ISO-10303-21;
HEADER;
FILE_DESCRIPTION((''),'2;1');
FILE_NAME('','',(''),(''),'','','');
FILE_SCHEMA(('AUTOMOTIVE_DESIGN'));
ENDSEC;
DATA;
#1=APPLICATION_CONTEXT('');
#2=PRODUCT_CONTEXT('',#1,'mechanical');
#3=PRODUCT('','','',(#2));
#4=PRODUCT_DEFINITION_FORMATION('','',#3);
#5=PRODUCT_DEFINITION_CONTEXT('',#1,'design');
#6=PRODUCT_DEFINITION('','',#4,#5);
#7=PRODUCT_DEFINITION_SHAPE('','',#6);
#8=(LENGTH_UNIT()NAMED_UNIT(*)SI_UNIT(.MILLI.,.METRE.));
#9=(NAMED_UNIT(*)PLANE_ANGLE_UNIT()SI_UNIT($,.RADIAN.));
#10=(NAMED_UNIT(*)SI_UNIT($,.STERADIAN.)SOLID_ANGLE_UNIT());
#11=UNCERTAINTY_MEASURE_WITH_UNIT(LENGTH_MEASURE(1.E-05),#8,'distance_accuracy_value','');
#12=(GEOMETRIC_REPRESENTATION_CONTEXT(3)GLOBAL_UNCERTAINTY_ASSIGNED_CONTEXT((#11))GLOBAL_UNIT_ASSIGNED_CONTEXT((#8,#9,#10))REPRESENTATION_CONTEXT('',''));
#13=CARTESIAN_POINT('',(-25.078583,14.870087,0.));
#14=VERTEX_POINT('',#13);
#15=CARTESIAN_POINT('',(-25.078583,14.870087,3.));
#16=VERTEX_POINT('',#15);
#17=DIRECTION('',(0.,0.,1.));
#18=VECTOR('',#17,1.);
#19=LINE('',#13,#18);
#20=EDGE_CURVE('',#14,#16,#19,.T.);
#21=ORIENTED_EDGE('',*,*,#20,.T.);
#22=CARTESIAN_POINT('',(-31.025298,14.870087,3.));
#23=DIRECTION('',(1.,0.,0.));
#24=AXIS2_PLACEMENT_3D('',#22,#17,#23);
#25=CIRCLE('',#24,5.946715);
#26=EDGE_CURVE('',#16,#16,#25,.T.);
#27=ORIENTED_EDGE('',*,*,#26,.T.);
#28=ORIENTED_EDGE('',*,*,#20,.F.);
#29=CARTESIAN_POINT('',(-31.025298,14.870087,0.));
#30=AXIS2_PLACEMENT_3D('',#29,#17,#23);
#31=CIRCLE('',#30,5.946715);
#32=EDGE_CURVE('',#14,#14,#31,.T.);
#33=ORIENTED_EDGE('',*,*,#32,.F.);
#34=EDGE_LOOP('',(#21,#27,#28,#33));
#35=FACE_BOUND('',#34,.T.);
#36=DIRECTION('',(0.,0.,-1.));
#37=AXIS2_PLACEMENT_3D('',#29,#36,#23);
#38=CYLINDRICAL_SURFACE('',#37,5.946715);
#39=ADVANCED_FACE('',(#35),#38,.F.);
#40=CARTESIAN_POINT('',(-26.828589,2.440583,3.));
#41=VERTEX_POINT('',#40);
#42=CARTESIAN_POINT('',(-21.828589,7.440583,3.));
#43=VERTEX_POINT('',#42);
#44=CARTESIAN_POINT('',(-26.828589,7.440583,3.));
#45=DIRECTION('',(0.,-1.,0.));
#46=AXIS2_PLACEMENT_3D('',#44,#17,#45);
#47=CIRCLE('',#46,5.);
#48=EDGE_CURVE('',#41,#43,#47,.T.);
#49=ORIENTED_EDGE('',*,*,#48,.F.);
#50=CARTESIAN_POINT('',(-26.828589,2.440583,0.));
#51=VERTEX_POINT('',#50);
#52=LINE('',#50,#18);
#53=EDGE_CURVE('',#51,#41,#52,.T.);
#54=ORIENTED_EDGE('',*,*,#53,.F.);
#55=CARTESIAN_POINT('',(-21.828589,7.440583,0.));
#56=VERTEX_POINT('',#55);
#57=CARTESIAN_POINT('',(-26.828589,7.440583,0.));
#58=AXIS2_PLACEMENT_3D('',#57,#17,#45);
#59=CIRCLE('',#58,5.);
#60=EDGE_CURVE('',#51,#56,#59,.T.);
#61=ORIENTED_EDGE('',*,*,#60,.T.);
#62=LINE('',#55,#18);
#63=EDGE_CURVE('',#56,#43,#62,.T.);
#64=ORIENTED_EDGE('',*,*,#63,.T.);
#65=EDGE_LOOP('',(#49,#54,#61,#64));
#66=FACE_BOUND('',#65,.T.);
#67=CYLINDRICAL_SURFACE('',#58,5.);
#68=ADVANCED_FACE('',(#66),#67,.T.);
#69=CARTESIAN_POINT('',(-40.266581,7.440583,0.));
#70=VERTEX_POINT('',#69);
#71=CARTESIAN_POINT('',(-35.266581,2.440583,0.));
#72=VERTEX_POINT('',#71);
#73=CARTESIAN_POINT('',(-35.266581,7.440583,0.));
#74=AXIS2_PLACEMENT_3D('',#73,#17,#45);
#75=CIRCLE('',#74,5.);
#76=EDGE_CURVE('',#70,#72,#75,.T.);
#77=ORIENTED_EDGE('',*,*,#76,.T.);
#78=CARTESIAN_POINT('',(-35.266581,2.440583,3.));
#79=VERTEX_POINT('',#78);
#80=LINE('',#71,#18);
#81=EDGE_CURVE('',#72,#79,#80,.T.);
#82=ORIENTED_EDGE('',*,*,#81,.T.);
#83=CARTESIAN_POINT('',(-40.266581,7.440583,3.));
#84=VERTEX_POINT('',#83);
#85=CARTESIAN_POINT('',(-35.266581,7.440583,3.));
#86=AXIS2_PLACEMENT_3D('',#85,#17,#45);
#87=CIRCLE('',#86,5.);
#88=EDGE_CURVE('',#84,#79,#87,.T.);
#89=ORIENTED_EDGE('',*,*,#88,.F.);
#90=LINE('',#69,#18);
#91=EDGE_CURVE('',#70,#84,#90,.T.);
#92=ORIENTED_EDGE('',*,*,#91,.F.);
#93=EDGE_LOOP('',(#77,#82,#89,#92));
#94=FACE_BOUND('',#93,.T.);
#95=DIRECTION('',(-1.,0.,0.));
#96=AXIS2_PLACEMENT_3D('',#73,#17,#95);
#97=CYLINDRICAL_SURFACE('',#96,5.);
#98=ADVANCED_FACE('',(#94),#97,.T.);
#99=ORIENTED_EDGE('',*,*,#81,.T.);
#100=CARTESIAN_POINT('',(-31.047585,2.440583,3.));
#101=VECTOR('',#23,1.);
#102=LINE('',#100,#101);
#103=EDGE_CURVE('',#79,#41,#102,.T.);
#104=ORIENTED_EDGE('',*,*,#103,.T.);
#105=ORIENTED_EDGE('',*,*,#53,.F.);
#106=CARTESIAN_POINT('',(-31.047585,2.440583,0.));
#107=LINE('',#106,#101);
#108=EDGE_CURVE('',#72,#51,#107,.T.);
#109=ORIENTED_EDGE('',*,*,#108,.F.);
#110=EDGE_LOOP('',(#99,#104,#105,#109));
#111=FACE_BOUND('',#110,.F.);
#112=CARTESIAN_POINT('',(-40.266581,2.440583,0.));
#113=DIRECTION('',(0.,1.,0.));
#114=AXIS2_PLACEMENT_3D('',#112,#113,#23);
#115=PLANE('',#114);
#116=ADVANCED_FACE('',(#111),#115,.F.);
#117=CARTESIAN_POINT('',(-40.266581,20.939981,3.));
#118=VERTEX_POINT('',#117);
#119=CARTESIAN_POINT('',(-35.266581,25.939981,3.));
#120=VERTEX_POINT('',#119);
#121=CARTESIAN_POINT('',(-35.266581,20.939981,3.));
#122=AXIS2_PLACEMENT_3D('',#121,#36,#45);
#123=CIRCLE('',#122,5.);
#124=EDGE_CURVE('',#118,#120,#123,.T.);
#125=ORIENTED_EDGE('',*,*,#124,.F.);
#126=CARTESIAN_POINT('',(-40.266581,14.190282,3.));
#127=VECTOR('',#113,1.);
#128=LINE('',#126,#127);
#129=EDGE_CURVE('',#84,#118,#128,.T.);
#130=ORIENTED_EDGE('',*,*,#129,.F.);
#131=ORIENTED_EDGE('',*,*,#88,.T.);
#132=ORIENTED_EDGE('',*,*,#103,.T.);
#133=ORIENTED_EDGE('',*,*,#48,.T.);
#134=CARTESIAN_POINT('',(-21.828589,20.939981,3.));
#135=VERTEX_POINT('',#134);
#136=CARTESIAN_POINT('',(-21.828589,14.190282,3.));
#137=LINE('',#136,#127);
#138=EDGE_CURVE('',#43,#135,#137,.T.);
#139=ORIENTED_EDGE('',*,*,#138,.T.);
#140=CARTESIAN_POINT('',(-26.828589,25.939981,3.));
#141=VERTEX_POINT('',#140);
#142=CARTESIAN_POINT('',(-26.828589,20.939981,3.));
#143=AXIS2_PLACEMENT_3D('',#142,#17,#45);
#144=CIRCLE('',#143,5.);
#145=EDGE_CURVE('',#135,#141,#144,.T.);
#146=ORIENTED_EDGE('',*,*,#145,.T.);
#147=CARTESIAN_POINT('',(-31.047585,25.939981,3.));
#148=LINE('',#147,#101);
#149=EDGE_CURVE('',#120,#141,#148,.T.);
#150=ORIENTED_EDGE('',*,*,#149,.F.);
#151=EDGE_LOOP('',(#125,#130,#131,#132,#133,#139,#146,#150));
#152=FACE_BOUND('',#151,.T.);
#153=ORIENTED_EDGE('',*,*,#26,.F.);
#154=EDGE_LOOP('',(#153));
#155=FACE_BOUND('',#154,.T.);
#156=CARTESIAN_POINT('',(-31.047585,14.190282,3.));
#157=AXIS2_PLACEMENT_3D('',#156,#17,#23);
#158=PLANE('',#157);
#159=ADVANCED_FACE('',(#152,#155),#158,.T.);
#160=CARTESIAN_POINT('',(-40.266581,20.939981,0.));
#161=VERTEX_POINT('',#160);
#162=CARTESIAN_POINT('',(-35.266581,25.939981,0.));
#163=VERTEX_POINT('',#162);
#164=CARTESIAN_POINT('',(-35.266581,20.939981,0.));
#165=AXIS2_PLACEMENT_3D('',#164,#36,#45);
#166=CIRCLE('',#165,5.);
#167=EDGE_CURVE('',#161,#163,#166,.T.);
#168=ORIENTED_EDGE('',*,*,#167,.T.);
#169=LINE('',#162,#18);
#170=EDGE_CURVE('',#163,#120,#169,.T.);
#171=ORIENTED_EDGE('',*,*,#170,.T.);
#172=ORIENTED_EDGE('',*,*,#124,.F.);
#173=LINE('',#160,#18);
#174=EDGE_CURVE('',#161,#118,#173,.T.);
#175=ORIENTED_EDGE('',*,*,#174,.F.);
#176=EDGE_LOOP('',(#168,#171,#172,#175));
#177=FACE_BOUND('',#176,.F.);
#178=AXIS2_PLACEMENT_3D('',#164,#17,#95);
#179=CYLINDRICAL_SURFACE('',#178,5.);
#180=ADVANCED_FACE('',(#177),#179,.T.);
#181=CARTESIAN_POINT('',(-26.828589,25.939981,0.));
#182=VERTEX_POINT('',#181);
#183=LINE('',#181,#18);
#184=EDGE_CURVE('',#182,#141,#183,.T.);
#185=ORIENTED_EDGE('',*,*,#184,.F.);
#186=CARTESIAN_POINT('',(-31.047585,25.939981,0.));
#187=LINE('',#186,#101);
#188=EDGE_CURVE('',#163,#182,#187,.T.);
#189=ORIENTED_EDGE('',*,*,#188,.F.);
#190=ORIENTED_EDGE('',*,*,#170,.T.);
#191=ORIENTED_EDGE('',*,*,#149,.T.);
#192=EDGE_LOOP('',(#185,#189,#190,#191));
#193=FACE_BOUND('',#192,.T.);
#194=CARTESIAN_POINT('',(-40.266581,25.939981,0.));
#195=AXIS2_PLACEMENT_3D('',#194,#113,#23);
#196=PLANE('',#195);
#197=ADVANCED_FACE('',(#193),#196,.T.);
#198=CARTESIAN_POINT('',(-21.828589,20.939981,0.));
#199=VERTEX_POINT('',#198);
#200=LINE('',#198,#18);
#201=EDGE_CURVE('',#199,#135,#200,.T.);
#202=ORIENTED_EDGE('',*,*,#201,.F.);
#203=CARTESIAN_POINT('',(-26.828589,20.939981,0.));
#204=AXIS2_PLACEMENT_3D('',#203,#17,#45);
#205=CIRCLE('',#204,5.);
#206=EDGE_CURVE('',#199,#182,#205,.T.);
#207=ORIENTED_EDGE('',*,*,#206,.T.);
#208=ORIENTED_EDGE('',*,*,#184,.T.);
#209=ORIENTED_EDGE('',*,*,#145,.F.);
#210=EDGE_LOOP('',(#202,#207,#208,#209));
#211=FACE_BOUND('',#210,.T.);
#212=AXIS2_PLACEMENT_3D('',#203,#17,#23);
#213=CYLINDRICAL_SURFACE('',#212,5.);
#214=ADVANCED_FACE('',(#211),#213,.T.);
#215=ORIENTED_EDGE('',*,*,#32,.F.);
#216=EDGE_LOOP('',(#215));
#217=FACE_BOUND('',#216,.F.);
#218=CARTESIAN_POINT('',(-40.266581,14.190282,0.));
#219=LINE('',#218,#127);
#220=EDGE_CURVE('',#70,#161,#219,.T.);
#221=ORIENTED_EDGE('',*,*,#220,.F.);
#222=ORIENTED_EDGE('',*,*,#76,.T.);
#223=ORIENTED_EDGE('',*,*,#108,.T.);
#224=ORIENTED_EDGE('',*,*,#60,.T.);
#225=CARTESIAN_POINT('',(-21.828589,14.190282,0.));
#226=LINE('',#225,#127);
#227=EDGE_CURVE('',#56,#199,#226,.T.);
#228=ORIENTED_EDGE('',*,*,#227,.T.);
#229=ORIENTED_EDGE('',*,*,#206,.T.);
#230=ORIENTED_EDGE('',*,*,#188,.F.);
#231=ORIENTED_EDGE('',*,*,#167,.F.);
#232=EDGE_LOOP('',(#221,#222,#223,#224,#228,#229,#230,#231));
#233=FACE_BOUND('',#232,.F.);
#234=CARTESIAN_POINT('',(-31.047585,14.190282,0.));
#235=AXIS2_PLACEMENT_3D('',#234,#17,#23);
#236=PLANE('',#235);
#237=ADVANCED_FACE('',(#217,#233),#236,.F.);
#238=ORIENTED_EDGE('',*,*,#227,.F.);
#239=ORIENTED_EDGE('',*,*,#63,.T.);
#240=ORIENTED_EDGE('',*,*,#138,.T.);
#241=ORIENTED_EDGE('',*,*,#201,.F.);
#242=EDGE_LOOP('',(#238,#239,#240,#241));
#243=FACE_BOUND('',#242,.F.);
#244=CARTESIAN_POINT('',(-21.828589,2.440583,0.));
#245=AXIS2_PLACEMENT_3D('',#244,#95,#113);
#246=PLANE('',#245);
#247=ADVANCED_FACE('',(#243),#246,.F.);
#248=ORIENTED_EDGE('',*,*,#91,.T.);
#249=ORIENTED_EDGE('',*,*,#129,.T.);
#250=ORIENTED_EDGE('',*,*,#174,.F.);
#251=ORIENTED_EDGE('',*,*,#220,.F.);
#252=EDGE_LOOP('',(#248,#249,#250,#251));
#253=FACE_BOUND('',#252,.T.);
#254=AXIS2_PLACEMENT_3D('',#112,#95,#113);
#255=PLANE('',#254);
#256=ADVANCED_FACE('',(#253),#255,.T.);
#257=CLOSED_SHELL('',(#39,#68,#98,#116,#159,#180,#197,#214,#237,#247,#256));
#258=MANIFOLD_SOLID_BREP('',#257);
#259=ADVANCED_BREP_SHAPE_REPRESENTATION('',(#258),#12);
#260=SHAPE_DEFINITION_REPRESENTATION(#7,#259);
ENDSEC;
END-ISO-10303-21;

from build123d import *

# Parameters (mm, degrees)
F0_W     = 18.437991
F0_H     = 23.499398
F1_DEPTH = 3
F2_R     = 5
F3_R     = 5.946715
F4_DEPTH = 3


with BuildPart() as f1:
    # F0 (on Top) → F1 (new body)
    with BuildSketch(Plane.XY):
        with Locations((-31.047585, 14.190282)):
            Rectangle(F0_W, F0_H)
    extrude(amount=F1_DEPTH)

    # F2
    f2_edges = [f1.edges().sort_by_distance(p)[0] for p in [
        (-40.266581, 25.939981, 1.5),
        (-21.82859, 25.939981, 1.5),
        (-21.82859, 2.440583, 1.5),
        (-40.266581, 2.440583, 1.5),
    ]]
    fillet(f2_edges, radius=F2_R)

    # F3 (on Top) → F4 (cut)
    with BuildSketch(Plane.XY):
        with Locations((-31.025298, 14.870087)):
            Circle(F3_R)
    extrude(amount=F4_DEPTH, mode=Mode.SUBTRACT)


solid = f1.part
